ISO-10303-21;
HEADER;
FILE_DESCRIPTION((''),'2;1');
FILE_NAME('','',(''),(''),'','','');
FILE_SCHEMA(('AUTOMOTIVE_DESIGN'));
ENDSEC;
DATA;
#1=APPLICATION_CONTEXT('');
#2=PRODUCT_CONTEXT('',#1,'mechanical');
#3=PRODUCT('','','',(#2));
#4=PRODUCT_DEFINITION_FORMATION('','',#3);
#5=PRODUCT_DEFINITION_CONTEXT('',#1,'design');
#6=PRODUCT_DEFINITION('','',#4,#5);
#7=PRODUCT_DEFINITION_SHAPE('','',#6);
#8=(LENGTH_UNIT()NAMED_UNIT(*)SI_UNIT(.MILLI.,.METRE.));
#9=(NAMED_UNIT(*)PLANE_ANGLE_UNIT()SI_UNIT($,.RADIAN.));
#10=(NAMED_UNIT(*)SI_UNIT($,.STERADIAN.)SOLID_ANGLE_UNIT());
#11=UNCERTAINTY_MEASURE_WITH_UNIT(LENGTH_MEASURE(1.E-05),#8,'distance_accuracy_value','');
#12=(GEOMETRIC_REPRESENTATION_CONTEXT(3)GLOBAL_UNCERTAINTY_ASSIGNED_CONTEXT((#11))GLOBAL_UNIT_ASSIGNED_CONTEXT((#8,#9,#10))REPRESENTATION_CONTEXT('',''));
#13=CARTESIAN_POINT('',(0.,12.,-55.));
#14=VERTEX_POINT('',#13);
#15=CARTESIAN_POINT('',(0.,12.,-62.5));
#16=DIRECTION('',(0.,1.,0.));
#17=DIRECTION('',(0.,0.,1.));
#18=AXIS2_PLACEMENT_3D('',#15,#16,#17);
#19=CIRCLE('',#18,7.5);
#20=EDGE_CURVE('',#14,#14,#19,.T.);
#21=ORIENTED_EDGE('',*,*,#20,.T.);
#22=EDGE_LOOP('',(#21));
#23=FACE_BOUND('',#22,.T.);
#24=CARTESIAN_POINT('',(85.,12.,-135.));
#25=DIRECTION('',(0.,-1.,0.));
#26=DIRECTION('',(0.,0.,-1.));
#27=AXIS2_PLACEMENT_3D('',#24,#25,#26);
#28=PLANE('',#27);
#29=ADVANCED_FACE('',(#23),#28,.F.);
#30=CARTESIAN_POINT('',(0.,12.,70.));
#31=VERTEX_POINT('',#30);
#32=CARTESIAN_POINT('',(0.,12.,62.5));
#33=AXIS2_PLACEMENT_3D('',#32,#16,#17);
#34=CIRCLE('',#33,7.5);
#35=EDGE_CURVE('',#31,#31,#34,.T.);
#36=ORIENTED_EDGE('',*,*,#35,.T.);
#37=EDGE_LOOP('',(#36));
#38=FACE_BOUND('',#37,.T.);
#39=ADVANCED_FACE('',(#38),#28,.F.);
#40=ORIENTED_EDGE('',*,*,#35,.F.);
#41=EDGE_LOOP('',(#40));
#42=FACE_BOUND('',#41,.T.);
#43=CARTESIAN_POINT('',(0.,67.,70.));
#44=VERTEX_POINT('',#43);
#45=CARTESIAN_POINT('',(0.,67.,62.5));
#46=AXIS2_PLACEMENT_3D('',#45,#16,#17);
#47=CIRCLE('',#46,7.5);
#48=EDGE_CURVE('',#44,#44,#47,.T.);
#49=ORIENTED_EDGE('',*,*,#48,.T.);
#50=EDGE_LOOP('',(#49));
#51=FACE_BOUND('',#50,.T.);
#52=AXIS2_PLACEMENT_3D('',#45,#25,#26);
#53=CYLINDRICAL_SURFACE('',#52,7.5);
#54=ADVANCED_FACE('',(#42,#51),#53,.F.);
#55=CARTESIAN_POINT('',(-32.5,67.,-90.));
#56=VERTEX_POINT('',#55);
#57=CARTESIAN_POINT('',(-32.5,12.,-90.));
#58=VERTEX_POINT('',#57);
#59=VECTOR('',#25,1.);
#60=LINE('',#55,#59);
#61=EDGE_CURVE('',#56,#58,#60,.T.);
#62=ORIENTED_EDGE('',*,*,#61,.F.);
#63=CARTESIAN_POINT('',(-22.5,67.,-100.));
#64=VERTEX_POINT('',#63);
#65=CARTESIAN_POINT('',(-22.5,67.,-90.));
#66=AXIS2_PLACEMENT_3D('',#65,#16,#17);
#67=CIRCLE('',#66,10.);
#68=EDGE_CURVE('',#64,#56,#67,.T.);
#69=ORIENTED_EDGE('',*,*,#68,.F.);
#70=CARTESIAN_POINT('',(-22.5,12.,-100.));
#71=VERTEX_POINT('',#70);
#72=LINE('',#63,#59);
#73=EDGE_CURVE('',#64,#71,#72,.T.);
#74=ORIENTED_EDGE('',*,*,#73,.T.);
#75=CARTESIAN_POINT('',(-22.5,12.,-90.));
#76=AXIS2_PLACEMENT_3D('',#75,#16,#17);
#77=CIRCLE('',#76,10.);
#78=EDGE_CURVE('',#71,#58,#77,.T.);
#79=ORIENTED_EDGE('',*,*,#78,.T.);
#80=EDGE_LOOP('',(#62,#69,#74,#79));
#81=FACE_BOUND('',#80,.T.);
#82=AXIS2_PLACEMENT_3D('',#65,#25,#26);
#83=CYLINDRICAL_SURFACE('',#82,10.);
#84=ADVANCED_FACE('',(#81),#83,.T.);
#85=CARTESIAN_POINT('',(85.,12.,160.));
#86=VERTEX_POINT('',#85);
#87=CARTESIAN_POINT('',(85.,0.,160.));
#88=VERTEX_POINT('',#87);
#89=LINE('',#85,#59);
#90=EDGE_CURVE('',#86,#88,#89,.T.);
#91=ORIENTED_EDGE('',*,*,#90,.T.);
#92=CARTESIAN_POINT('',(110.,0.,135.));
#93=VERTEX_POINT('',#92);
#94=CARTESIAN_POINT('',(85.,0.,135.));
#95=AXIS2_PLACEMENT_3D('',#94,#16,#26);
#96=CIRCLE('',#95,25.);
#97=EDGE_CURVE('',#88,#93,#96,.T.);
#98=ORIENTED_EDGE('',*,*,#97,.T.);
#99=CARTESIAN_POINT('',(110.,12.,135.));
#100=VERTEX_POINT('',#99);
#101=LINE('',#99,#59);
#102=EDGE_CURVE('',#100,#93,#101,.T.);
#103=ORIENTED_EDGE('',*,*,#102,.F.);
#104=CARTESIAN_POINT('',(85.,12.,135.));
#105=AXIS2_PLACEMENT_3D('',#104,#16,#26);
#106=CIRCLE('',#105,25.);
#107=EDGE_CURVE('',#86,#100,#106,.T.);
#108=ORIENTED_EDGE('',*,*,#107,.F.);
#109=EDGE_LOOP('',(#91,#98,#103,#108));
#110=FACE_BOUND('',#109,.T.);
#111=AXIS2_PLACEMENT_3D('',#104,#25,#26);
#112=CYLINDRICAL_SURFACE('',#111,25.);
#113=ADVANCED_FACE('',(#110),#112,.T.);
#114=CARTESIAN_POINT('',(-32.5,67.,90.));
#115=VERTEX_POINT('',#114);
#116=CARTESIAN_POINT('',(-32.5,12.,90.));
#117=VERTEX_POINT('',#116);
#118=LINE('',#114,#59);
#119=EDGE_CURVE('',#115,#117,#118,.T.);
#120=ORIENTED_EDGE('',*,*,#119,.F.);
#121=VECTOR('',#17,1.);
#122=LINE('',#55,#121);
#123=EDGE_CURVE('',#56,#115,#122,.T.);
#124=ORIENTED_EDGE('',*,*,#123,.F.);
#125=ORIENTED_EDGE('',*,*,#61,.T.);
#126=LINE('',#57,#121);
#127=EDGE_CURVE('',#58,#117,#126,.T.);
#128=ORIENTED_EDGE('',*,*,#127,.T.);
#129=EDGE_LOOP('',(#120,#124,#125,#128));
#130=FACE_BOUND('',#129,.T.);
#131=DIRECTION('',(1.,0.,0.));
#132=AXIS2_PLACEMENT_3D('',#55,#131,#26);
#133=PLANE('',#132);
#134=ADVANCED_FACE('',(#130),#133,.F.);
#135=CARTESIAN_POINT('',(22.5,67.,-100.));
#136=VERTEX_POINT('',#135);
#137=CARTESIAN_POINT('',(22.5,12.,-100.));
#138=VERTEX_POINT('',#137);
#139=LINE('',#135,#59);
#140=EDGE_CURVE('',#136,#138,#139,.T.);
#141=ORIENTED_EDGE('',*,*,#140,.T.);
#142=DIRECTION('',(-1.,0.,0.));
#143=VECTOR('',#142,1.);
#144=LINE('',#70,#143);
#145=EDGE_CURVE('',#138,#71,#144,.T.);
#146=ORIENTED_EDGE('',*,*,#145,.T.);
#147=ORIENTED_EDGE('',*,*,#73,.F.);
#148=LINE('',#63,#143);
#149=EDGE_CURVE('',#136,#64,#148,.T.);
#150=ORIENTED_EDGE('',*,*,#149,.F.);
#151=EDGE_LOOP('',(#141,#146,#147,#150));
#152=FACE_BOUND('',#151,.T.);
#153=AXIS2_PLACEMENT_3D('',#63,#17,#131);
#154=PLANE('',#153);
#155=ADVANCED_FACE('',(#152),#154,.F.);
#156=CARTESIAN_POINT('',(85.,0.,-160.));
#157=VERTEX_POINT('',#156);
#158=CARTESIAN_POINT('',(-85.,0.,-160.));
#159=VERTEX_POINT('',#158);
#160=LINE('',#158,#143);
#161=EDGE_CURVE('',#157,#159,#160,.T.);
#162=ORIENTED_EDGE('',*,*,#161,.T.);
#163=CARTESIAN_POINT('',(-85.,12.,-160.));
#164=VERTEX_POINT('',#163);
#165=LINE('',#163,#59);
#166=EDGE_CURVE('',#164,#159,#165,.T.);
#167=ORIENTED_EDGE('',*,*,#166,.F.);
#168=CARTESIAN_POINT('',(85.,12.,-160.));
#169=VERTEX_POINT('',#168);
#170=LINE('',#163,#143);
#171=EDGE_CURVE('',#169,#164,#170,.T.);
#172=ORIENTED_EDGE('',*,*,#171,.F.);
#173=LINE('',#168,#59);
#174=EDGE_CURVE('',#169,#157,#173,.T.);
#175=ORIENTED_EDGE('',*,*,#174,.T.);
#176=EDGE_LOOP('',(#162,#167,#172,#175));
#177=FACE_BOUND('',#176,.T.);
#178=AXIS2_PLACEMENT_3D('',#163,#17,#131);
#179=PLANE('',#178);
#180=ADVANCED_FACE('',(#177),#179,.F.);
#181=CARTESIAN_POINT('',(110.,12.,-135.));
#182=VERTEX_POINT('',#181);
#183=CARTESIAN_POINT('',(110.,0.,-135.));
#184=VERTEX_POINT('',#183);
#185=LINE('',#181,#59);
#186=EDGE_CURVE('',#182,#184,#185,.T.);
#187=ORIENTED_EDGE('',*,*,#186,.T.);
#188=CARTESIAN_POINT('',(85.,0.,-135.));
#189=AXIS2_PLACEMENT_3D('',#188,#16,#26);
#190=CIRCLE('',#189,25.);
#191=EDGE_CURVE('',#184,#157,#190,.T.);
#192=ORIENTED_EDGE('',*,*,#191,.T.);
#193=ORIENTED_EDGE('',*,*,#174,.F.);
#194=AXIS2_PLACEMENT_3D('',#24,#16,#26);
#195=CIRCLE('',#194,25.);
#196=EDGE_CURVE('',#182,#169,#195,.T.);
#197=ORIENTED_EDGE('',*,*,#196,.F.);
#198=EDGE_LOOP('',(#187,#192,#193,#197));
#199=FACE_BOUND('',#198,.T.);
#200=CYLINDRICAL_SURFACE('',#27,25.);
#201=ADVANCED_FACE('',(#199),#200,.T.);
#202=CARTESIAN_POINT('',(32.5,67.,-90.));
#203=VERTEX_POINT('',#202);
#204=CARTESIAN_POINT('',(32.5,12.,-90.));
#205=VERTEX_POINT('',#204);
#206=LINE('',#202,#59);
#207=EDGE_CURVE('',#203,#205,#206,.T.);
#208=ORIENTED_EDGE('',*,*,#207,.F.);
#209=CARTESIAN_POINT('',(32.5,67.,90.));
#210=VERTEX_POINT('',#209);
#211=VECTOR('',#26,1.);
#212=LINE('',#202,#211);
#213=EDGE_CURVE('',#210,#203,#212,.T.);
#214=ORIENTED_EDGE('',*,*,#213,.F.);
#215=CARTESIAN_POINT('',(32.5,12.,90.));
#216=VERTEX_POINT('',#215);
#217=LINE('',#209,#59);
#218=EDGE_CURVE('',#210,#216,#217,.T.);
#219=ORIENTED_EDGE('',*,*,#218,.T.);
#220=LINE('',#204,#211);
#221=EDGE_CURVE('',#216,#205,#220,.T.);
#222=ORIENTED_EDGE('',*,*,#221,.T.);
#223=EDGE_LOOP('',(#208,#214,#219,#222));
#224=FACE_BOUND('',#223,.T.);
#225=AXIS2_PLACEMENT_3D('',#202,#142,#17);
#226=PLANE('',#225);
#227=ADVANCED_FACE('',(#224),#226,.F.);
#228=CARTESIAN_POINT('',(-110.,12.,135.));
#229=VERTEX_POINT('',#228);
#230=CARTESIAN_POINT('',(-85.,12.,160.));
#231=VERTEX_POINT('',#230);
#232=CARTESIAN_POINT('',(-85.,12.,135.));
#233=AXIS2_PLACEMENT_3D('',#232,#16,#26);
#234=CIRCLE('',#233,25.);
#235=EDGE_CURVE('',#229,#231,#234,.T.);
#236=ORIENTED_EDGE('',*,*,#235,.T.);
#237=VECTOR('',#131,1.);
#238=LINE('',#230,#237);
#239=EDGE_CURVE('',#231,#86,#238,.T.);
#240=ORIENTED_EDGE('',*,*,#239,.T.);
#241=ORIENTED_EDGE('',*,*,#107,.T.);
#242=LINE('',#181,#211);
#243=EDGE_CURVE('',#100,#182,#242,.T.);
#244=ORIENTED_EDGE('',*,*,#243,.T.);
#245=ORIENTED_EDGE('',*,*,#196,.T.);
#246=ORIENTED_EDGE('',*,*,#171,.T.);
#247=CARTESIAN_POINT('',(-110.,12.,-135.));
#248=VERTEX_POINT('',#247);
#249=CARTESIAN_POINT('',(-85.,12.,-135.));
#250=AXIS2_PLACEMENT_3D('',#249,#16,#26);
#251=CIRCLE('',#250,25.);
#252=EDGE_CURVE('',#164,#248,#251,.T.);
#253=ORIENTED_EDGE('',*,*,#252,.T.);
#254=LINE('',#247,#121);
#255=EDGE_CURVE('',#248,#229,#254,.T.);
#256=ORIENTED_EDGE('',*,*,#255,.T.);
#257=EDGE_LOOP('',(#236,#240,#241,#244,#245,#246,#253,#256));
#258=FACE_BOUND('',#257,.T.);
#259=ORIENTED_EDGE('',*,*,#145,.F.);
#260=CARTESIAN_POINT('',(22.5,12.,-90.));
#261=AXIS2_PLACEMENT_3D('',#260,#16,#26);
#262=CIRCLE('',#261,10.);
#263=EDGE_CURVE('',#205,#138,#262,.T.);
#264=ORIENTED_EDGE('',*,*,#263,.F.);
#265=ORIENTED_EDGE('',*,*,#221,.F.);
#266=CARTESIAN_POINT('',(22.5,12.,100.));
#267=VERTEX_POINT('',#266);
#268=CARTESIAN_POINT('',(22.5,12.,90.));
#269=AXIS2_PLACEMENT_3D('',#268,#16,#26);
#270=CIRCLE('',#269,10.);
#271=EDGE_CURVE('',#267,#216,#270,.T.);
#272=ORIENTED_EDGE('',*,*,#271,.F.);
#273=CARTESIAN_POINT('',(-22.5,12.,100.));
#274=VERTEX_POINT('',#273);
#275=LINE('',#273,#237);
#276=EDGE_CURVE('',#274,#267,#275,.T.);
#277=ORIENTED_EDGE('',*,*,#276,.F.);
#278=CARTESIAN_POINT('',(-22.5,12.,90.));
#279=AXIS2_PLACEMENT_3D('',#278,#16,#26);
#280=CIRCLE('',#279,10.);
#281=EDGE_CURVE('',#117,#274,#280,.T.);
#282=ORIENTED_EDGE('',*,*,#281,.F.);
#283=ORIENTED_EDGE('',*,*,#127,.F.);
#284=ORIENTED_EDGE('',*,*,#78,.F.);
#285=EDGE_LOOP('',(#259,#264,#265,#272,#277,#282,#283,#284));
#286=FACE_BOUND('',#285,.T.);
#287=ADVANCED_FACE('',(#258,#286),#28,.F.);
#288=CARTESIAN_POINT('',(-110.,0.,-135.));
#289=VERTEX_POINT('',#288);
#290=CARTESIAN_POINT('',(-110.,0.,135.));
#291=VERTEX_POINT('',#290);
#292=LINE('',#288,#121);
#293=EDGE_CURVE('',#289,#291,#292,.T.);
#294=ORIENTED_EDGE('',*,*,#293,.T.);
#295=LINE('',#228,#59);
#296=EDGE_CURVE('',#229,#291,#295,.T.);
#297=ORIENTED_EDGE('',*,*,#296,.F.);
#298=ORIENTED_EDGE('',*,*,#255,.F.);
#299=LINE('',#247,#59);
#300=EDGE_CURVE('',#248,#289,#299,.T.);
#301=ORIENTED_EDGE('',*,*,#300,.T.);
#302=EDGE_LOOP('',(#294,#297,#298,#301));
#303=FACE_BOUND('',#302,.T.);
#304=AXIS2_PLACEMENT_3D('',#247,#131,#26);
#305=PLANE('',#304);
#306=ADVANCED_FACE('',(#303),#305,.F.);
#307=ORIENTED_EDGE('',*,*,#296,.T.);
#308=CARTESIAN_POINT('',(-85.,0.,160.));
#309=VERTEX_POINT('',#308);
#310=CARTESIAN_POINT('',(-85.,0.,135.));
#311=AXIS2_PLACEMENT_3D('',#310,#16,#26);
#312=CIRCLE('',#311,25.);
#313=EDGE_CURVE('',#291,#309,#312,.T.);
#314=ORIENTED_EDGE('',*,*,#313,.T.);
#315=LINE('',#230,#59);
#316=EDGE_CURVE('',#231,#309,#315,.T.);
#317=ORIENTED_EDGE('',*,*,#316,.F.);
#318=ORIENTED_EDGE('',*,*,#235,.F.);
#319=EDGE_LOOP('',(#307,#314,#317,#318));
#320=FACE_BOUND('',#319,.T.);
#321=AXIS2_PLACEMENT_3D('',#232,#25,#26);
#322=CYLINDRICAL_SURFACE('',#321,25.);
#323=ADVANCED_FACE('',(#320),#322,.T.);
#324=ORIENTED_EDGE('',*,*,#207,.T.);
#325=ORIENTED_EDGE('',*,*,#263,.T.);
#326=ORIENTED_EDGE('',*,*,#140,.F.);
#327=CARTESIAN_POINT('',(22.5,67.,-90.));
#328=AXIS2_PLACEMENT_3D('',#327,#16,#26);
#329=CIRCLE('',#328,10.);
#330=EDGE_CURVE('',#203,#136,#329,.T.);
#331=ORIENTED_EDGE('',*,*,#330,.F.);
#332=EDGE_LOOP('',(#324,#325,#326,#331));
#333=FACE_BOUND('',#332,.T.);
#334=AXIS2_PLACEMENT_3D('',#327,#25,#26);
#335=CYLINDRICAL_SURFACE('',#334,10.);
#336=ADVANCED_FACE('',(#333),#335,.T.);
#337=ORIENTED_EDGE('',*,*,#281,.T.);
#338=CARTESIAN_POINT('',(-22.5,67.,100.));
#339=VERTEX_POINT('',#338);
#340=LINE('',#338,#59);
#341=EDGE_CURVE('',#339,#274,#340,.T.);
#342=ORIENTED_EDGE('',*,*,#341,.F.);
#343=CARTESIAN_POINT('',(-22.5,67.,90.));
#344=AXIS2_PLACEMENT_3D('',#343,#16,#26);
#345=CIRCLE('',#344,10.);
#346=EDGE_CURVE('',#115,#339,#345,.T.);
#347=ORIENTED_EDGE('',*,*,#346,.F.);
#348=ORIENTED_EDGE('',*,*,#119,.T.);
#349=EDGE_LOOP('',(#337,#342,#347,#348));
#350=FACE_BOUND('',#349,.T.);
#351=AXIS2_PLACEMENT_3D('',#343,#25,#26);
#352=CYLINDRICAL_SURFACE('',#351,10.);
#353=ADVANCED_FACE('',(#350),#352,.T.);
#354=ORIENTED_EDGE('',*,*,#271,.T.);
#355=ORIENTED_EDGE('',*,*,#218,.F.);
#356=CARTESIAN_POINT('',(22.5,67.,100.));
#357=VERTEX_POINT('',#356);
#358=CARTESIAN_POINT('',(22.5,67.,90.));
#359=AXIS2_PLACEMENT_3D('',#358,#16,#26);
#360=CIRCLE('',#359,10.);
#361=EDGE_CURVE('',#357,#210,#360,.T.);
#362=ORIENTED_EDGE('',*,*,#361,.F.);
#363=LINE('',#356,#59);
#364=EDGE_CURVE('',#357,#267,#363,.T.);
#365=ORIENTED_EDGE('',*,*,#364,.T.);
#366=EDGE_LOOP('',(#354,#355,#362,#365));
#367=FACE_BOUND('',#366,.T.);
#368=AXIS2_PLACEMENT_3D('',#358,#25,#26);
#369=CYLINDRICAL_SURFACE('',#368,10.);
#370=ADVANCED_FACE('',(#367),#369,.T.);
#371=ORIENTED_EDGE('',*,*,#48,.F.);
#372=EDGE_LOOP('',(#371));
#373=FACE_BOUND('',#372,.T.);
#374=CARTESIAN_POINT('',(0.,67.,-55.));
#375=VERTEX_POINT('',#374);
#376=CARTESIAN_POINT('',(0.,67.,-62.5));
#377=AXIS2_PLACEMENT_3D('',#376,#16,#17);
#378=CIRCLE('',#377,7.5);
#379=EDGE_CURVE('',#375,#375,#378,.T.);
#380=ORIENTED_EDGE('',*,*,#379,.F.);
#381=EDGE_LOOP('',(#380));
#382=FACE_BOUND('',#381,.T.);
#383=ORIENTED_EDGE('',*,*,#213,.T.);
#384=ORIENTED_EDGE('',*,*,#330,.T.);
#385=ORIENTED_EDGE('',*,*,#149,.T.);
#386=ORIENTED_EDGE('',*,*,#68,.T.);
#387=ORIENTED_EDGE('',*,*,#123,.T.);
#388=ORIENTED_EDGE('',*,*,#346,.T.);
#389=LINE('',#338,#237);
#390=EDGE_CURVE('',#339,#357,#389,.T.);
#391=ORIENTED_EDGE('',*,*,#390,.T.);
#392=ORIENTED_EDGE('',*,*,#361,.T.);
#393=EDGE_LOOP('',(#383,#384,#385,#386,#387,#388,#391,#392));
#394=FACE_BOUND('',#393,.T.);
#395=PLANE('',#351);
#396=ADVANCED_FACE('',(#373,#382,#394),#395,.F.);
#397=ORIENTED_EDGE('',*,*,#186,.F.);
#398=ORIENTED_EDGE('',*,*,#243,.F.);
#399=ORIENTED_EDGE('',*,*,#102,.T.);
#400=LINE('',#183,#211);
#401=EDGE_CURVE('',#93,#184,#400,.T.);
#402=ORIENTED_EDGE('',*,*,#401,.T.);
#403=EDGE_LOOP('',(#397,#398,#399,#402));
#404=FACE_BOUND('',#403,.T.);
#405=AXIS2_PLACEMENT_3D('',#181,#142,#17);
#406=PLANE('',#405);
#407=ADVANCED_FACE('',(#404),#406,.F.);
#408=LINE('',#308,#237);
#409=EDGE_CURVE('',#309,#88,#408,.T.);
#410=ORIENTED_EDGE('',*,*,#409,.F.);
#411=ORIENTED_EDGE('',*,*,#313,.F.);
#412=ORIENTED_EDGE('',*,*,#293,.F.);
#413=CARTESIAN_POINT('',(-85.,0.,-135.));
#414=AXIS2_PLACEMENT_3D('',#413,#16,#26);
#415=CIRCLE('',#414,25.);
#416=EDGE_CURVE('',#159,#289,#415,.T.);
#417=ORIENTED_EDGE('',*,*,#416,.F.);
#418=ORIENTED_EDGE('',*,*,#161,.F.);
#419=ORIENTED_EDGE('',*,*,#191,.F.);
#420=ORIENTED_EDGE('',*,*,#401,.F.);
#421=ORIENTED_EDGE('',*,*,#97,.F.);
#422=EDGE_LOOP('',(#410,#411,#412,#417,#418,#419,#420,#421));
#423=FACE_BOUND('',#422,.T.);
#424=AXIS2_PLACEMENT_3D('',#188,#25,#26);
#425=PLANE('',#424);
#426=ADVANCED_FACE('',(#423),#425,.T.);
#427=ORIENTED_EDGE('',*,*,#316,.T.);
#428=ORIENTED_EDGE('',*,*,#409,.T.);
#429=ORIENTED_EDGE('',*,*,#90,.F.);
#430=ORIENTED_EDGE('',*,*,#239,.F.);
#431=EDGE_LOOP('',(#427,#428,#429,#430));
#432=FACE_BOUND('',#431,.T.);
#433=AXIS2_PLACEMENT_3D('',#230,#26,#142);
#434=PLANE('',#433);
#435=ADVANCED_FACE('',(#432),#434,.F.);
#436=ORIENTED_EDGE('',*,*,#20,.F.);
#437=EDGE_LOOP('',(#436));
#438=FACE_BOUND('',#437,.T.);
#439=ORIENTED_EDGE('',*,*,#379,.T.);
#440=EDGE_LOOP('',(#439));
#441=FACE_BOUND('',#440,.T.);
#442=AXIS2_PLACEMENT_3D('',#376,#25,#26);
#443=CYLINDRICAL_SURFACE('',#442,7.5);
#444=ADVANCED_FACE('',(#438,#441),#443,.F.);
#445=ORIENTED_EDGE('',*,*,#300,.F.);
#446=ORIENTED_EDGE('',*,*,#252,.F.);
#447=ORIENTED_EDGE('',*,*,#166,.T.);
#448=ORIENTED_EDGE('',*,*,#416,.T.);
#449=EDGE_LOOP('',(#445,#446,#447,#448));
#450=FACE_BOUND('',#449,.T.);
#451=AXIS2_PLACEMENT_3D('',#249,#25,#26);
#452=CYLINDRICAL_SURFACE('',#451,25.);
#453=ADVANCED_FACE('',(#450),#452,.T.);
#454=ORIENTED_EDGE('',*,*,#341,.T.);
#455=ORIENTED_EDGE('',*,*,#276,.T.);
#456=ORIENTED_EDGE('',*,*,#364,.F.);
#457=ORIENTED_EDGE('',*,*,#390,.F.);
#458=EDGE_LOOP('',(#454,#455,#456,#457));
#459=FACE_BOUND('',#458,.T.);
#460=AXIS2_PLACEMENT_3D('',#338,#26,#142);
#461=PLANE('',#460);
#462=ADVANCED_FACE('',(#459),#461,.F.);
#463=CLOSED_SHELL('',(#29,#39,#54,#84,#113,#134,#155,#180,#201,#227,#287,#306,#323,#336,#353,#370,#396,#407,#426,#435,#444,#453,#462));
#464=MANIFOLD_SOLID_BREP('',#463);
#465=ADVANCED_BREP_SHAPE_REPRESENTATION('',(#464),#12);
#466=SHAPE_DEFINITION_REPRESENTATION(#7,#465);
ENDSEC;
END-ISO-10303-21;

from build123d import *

# Parameters (mm, degrees)
BOSS_EXTRUDE1_DEPTH = 12
SKETCH2_R           = 7.5
BOSS_EXTRUDE2_DEPTH = 55


with BuildPart() as part:
    # Sketch1 → Boss-Extrude1 (new body)
    with BuildSketch(Plane(origin=(0, 0, 0), x_dir=(1, 0, 0), z_dir=(0, 1, 0))):
        with BuildLine():
            Line((-85, 160), (85, 160))
            ThreePointArc((85, 160), (102.67766953, 152.67766953), (110, 135))
            Line((110, 135), (110, -135))
            ThreePointArc((110, -135), (102.67766953, -152.67766953), (85, -160))
            Line((85, -160), (-85, -160))
            ThreePointArc((-85, -160), (-102.67766953, -152.67766953), (-110, -135))
            Line((-110, -135), (-110, 135))
            ThreePointArc((-110, 135), (-102.67766953, 152.67766953), (-85, 160))
        make_face()
    extrude(amount=BOSS_EXTRUDE1_DEPTH)

    # Sketch2 → Boss-Extrude2 (add)
    with BuildSketch(Plane(origin=(0, 12, 0), x_dir=(1, 0, 0), z_dir=(0, 1, 0))):
        with BuildLine():
            Line((-22.5, 100), (22.5, 100))
            ThreePointArc((22.5, 100), (29.571067812, 97.071067812), (32.5, 90))
            Line((32.5, 90), (32.5, -90))
            ThreePointArc((32.5, -90), (29.571067812, -97.071067812), (22.5, -100))
            Line((22.5, -100), (-22.5, -100))
            ThreePointArc((-22.5, -100), (-29.571067812, -97.071067812), (-32.5, -90))
            Line((-32.5, -90), (-32.5, 90))
            ThreePointArc((-32.5, 90), (-29.571067812, 97.071067812), (-22.5, 100))
        make_face()
        with Locations(Location((0, 62.5, 0), (0, 0, 270))):
            Circle(SKETCH2_R, mode=Mode.SUBTRACT)
        with Locations(Location((0, -62.5, 0), (0, 0, 270))):
            Circle(SKETCH2_R, mode=Mode.SUBTRACT)
    extrude(amount=BOSS_EXTRUDE2_DEPTH)


solid = part.part
